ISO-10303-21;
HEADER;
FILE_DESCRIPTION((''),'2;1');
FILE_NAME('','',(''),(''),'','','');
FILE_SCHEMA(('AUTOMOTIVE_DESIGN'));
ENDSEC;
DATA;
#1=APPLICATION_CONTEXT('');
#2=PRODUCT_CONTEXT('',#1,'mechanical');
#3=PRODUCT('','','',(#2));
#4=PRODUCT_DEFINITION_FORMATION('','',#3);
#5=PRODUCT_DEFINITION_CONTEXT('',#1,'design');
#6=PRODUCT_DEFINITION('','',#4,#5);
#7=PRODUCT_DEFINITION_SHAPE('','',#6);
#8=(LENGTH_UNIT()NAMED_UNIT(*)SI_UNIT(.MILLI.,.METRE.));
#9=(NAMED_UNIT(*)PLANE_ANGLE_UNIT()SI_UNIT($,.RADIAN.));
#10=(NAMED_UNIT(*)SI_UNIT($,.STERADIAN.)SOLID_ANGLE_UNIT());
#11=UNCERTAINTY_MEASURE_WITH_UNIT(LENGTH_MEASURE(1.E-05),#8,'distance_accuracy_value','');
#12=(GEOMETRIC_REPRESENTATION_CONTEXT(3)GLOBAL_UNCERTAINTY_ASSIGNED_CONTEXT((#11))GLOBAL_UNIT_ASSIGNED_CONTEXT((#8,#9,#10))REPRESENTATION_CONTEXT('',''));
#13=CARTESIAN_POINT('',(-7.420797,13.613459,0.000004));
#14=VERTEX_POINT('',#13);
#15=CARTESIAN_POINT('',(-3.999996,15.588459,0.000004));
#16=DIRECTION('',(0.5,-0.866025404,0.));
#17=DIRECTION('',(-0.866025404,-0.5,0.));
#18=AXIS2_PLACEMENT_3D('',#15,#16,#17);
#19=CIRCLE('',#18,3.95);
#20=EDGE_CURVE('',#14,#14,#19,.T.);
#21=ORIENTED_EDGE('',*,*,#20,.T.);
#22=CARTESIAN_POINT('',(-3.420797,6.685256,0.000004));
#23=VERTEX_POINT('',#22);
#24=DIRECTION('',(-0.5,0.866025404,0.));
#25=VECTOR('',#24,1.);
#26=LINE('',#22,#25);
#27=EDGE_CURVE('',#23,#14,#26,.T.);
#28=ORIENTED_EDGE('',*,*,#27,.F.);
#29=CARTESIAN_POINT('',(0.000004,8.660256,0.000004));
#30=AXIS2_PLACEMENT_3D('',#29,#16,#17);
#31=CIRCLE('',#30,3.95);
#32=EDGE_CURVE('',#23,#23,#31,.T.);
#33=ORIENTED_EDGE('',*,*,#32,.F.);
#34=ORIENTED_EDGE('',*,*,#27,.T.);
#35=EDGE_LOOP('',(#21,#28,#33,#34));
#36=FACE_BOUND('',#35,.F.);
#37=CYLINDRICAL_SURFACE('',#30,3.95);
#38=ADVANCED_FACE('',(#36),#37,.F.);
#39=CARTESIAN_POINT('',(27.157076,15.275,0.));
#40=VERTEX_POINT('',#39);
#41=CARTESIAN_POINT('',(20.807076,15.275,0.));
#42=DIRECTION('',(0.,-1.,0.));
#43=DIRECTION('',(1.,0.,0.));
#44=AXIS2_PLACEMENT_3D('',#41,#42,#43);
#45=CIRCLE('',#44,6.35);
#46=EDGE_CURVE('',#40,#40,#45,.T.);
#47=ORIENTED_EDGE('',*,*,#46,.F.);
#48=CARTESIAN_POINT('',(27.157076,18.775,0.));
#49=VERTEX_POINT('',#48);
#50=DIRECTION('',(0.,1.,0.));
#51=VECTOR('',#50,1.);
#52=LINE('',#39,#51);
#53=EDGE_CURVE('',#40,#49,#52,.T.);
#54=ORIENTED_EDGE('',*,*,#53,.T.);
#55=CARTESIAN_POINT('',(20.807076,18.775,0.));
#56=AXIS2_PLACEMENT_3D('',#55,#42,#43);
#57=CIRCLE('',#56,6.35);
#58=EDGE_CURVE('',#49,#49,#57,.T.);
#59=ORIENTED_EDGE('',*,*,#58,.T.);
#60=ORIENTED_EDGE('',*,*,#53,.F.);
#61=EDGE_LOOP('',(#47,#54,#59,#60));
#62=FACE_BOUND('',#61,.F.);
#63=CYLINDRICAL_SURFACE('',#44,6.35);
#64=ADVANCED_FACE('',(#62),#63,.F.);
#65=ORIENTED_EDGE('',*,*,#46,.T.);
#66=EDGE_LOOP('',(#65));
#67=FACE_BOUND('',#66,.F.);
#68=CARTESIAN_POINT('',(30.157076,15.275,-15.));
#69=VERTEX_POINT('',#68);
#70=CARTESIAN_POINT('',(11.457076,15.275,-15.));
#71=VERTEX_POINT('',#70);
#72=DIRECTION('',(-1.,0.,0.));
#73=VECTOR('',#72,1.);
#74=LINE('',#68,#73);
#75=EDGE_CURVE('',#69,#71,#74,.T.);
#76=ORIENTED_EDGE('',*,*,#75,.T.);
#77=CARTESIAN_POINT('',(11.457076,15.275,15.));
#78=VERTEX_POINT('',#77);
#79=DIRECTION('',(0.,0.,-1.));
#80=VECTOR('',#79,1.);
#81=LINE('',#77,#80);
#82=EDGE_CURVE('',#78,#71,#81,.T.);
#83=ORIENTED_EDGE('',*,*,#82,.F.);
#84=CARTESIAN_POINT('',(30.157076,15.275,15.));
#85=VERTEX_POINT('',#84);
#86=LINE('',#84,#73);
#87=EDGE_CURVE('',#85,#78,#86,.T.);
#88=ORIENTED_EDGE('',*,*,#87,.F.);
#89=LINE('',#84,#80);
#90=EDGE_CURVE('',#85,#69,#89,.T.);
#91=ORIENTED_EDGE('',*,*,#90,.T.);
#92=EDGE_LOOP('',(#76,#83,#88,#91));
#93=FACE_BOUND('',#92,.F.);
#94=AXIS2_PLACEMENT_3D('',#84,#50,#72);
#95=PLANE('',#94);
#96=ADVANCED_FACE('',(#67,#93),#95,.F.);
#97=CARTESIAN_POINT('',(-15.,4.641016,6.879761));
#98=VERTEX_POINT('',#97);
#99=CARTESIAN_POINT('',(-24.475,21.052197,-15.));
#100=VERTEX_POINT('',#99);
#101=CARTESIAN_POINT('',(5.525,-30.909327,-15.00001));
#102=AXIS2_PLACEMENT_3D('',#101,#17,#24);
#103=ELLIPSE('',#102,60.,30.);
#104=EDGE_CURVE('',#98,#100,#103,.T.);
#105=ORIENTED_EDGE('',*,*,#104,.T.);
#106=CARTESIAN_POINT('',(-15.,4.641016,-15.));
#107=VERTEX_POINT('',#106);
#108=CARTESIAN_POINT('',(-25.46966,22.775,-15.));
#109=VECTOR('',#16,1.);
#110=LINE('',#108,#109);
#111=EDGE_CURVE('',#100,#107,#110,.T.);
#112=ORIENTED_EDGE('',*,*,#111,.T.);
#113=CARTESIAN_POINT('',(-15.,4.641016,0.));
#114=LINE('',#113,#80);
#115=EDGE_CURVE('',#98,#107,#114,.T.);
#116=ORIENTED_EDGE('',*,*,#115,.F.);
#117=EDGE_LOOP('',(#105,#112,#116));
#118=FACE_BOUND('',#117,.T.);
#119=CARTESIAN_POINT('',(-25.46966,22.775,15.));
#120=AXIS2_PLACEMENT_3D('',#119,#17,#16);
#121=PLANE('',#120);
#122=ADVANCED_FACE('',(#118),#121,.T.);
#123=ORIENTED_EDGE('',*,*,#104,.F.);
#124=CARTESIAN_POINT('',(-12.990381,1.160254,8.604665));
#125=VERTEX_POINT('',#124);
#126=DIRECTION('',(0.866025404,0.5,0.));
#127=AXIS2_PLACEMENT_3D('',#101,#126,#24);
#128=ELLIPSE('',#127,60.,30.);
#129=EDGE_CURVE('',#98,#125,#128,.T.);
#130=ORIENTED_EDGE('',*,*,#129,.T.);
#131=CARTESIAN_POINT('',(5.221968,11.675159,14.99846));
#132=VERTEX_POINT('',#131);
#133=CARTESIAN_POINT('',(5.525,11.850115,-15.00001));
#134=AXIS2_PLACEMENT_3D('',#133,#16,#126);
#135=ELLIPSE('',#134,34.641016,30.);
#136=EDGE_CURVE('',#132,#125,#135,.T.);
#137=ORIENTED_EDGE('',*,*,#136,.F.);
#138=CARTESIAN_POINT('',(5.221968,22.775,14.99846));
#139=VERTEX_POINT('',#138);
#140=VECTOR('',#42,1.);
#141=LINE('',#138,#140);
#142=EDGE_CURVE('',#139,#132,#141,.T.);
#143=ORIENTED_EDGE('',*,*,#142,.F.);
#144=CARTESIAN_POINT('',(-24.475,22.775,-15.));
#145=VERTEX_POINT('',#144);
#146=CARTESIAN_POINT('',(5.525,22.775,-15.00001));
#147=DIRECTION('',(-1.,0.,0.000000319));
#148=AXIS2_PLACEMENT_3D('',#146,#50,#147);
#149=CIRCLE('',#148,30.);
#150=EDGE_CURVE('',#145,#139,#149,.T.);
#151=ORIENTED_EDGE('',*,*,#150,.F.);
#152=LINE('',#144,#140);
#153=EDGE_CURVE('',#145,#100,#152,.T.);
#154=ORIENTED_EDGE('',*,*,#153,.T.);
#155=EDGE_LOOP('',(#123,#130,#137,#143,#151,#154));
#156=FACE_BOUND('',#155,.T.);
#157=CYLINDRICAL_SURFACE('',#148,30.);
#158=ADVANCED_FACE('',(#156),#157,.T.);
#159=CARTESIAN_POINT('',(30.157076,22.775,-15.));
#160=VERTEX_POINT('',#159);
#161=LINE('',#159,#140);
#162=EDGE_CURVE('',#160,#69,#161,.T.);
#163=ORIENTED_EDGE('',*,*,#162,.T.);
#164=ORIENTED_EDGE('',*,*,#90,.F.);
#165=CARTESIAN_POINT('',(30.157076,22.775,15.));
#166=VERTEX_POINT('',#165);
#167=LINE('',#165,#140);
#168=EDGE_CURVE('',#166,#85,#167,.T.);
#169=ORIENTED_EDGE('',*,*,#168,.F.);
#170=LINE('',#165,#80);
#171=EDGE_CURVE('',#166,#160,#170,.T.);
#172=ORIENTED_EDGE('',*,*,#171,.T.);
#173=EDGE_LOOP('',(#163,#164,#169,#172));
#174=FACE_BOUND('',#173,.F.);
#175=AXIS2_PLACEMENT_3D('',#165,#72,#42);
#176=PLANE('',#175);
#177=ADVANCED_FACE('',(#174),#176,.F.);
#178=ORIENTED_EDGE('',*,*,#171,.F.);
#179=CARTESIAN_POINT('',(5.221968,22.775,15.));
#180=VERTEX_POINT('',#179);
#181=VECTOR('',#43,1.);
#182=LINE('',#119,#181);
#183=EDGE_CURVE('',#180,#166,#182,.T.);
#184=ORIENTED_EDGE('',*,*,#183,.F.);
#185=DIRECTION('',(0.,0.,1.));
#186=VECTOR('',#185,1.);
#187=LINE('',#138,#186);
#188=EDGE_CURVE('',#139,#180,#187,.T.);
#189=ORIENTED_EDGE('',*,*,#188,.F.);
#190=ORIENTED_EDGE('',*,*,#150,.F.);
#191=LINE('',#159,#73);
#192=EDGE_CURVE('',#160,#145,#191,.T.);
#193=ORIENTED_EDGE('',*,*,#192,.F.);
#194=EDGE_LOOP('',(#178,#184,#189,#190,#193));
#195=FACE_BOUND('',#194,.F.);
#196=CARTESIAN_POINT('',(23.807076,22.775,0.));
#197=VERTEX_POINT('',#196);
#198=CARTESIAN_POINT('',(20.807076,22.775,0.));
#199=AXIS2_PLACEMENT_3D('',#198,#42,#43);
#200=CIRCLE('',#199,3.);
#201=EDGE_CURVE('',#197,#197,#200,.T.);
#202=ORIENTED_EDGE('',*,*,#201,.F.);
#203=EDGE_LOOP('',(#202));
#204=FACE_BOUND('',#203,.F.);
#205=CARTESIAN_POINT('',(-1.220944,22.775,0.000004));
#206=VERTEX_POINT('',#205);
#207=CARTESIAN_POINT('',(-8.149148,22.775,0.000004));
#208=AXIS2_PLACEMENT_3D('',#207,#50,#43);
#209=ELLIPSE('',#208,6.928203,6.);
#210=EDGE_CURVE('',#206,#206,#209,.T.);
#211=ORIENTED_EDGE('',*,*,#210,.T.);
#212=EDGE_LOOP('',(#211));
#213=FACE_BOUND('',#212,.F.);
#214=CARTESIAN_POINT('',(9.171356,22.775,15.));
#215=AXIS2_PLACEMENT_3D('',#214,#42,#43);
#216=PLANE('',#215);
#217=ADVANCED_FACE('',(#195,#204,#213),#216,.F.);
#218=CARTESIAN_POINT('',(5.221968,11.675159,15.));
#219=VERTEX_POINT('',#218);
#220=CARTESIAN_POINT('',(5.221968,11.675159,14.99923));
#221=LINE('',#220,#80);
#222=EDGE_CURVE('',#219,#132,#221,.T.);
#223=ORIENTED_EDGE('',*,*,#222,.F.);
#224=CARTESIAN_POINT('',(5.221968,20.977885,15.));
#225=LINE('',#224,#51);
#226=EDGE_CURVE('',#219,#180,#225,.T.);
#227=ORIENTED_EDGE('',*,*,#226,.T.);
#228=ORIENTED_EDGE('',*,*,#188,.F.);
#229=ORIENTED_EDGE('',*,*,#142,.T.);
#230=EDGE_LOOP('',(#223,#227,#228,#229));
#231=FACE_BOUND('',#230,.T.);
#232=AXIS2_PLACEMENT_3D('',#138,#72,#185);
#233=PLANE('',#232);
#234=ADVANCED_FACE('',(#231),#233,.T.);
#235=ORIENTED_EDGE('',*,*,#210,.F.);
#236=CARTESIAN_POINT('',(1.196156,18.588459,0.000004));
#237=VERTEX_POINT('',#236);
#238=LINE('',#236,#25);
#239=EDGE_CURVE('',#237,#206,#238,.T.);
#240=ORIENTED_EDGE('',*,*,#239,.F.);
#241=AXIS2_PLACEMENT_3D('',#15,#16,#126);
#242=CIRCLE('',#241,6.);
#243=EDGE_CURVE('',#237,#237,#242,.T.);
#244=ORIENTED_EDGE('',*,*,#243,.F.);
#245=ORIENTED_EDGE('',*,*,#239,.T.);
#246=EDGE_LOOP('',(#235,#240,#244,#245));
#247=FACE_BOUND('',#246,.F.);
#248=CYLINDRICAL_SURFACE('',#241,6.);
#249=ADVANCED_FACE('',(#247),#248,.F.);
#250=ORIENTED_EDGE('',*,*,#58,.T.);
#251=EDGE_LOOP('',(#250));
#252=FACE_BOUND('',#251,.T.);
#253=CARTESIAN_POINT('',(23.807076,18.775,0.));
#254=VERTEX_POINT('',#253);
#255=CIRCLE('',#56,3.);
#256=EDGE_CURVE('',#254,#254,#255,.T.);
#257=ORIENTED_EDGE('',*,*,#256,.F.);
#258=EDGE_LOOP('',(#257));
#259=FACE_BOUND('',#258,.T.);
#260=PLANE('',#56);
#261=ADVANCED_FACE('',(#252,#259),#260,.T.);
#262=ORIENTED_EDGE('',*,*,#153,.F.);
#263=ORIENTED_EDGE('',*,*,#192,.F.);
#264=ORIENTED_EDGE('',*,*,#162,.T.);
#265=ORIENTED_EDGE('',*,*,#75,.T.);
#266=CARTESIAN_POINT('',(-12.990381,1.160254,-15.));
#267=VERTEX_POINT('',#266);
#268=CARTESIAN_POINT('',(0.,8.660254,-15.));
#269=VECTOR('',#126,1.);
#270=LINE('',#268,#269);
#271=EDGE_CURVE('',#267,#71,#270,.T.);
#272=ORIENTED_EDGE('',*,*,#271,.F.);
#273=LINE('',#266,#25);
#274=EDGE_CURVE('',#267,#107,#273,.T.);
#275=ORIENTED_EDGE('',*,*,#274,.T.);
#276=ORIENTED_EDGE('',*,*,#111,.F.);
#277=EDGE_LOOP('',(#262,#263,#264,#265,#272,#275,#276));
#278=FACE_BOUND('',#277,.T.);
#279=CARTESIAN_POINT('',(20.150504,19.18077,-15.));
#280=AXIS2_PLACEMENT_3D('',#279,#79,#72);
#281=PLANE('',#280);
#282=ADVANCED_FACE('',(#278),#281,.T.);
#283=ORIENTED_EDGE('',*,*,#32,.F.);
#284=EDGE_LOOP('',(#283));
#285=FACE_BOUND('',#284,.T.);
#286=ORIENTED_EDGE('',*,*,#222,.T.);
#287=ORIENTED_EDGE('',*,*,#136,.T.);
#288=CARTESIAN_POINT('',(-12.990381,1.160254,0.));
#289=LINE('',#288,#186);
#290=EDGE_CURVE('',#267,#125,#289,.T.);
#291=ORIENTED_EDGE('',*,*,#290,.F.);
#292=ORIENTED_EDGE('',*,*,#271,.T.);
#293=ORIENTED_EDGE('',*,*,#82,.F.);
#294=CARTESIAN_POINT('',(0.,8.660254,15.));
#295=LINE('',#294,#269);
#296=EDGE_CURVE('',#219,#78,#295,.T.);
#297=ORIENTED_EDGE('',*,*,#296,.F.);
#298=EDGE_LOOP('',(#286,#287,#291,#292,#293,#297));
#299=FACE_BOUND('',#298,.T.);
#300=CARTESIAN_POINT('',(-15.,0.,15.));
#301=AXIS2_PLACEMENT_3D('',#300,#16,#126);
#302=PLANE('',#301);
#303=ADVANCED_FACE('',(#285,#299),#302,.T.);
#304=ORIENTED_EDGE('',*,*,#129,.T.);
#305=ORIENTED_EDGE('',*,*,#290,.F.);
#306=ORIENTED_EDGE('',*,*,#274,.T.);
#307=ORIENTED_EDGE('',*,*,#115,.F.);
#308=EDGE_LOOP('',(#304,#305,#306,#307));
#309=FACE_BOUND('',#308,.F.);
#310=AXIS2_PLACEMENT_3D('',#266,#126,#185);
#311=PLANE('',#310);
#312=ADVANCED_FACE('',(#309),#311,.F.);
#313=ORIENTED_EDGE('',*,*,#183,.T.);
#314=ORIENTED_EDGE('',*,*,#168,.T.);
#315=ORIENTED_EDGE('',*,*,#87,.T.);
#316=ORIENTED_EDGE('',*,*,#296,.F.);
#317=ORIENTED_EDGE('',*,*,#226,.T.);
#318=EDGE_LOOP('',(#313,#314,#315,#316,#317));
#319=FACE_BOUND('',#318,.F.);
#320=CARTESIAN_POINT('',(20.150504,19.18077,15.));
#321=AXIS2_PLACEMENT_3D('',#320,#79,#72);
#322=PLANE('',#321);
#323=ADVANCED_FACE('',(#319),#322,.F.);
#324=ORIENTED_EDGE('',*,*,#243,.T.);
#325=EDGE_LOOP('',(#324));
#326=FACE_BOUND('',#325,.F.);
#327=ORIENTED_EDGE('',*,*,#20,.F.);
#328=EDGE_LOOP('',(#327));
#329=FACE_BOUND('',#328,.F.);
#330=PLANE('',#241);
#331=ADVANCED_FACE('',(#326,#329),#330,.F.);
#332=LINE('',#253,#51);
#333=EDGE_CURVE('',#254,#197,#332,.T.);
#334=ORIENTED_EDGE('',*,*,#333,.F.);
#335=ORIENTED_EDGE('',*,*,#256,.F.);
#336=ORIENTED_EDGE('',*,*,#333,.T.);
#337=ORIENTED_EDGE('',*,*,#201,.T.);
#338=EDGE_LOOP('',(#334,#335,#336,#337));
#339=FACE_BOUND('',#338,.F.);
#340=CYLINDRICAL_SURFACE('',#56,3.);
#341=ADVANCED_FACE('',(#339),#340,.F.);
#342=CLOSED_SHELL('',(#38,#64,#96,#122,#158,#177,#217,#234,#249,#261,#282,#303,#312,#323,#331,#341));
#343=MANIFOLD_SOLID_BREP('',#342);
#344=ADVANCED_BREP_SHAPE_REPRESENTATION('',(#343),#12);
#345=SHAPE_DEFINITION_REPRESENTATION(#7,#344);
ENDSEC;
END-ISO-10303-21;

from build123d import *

# Parameters (mm, degrees)
ESBO_O1_W                = 30
ESBO_O1_H                = 30
RESSALTO_EXTRUS_O1_DEPTH = 22.775
CORTE_EXTRUS_O1_DEPTH    = 31
ESBO_O3_OUTSIDE_W        = 48.998
ESBO_O3_OUTSIDE_H        = 41.63
ESBO_O3_OUTSIDE_W_2      = 30
ESBO_O3_OUTSIDE_H_2      = 30
CORTE_EXTRUS_O2_DEPTH    = 20.723728571
RESSALTO_EXTRUS_O2_DEPTH = 30
ESBO_O5_R                = 3.95
CORTE_EXTRUS_O3_DEPTH    = 25.958558799
CORTE_EXTRUS_O5_START    = -8
ESBO_O8_R                = 6
CORTE_EXTRUS_O5_DEPTH    = 25
RESSALTO_EXTRUS_O6_DEPTH = 30
CORTE_EXTRUS_O11_DEPTH   = 26
ESBO_O19_R               = 6.35
CORTE_EXTRUS_O12_DEPTH   = 3.5
ESBO_O20_R               = 3
CORTE_EXTRUS_O13_DEPTH   = 26


with BuildPart() as part:
    # Esboço1 → Ressalto-extrusão1 (new body)
    with BuildSketch(Plane(origin=(0, 0, 0), x_dir=(1, 0, 0), z_dir=(0, 1, 0))):
        Rectangle(ESBO_O1_W, ESBO_O1_H)
    extrude(amount=RESSALTO_EXTRUS_O1_DEPTH)

    # Esboço2 → Corte-extrusão1 (cut, through all)
    with BuildSketch(Plane.XY.offset(15)):
        Polygon((-15, 0), (15, 17.320508076), (15, 0), align=None)
    extrude(amount=-CORTE_EXTRUS_O1_DEPTH, mode=Mode.SUBTRACT)

    # Esboço3 outside → Corte-extrusão2 (cut, through all)
    with BuildSketch(Plane(origin=(-3.75, 6.495190528, 0), x_dir=(0.866025404, 0.5, 0), z_dir=(0.5, -0.866025404, 0))):
        with Locations((5.694, 0)):
            Rectangle(ESBO_O3_OUTSIDE_W, ESBO_O3_OUTSIDE_H)
        with Locations((4.330127019, 0)):
            Rectangle(ESBO_O3_OUTSIDE_W_2, ESBO_O3_OUTSIDE_H_2, mode=Mode.SUBTRACT)
    extrude(amount=-CORTE_EXTRUS_O2_DEPTH, mode=Mode.SUBTRACT)

    # Esboço4 → Ressalto-extrusão2 (add)
    with BuildSketch(Plane.XY.offset(15)):
        Polygon((-25.469660456, 22.775), (-15, 4.641016151), (-15, 22.775), align=None)
    extrude(amount=-RESSALTO_EXTRUS_O2_DEPTH)

    # Esboço5 → Corte-extrusão3 (cut, through all)
    with BuildSketch(Plane(origin=(-3.75, 6.495190528, 0), x_dir=(-0.866025404, -0.5, 0), z_dir=(0.5, -0.866025404, 0))):
        with Locations((-4.330131096, -4.077e-06)):
            Circle(ESBO_O5_R)
    extrude(amount=-CORTE_EXTRUS_O3_DEPTH, mode=Mode.SUBTRACT)

    # Esboço8 → Corte-extrusão5 (cut)
    with BuildSketch(Plane(origin=(-3.75, 6.495190528, 0), x_dir=(0.866025404, 0.5, 0), z_dir=(0.5, -0.866025404, 0)).offset(CORTE_EXTRUS_O5_START)):
        with Locations((4.330131096, 4.077e-06)):
            Circle(ESBO_O8_R)
    extrude(amount=-CORTE_EXTRUS_O5_DEPTH, mode=Mode.SUBTRACT)

    # Esboço16 → Ressalto-extrusão6 (add)
    with BuildSketch(Plane.XY.offset(15)):
        Polygon((9.171355695, 22.775), (30.157076086, 22.775), (30.157076086, 15.275), (11.457076086, 15.275), align=None)
    extrude(amount=-RESSALTO_EXTRUS_O6_DEPTH)

    # Esboço17 → Corte-extrusão11 (cut)
    with BuildSketch(Plane(origin=(0, 22.775, 0), x_dir=(1, 0, 0), z_dir=(0, 1, 0))):
        with BuildLine():
            Line((5.221968449, -14.998459918), (5.221968449, -42.526473986))
            Line((5.221968449, -42.526473986), (-49.914065742, -42.526473986))
            Line((-49.914065742, -42.526473986), (-49.914065742, 15))
            Line((-49.914065742, 15), (-24.474999573, 15))
            ThreePointArc((-24.474999573, 15), (-15.795068431, -6.105787356), (5.221968449, -14.998459918))
        make_face()
    extrude(amount=-CORTE_EXTRUS_O11_DEPTH, mode=Mode.SUBTRACT)

    # Esboço19 → Corte-extrusão12 (cut)
    with BuildSketch(Plane.XZ.offset(-15.275)):
        with Locations((20.807076086, 0)):
            Circle(ESBO_O19_R)
    extrude(amount=-CORTE_EXTRUS_O12_DEPTH, mode=Mode.SUBTRACT)

    # Esboço20 → Corte-extrusão13 (cut)
    with BuildSketch(Plane.XZ.offset(-18.775)):
        with Locations((20.807076086, 0)):
            Circle(ESBO_O20_R)
    extrude(amount=-CORTE_EXTRUS_O13_DEPTH, mode=Mode.SUBTRACT)


solid = part.part
